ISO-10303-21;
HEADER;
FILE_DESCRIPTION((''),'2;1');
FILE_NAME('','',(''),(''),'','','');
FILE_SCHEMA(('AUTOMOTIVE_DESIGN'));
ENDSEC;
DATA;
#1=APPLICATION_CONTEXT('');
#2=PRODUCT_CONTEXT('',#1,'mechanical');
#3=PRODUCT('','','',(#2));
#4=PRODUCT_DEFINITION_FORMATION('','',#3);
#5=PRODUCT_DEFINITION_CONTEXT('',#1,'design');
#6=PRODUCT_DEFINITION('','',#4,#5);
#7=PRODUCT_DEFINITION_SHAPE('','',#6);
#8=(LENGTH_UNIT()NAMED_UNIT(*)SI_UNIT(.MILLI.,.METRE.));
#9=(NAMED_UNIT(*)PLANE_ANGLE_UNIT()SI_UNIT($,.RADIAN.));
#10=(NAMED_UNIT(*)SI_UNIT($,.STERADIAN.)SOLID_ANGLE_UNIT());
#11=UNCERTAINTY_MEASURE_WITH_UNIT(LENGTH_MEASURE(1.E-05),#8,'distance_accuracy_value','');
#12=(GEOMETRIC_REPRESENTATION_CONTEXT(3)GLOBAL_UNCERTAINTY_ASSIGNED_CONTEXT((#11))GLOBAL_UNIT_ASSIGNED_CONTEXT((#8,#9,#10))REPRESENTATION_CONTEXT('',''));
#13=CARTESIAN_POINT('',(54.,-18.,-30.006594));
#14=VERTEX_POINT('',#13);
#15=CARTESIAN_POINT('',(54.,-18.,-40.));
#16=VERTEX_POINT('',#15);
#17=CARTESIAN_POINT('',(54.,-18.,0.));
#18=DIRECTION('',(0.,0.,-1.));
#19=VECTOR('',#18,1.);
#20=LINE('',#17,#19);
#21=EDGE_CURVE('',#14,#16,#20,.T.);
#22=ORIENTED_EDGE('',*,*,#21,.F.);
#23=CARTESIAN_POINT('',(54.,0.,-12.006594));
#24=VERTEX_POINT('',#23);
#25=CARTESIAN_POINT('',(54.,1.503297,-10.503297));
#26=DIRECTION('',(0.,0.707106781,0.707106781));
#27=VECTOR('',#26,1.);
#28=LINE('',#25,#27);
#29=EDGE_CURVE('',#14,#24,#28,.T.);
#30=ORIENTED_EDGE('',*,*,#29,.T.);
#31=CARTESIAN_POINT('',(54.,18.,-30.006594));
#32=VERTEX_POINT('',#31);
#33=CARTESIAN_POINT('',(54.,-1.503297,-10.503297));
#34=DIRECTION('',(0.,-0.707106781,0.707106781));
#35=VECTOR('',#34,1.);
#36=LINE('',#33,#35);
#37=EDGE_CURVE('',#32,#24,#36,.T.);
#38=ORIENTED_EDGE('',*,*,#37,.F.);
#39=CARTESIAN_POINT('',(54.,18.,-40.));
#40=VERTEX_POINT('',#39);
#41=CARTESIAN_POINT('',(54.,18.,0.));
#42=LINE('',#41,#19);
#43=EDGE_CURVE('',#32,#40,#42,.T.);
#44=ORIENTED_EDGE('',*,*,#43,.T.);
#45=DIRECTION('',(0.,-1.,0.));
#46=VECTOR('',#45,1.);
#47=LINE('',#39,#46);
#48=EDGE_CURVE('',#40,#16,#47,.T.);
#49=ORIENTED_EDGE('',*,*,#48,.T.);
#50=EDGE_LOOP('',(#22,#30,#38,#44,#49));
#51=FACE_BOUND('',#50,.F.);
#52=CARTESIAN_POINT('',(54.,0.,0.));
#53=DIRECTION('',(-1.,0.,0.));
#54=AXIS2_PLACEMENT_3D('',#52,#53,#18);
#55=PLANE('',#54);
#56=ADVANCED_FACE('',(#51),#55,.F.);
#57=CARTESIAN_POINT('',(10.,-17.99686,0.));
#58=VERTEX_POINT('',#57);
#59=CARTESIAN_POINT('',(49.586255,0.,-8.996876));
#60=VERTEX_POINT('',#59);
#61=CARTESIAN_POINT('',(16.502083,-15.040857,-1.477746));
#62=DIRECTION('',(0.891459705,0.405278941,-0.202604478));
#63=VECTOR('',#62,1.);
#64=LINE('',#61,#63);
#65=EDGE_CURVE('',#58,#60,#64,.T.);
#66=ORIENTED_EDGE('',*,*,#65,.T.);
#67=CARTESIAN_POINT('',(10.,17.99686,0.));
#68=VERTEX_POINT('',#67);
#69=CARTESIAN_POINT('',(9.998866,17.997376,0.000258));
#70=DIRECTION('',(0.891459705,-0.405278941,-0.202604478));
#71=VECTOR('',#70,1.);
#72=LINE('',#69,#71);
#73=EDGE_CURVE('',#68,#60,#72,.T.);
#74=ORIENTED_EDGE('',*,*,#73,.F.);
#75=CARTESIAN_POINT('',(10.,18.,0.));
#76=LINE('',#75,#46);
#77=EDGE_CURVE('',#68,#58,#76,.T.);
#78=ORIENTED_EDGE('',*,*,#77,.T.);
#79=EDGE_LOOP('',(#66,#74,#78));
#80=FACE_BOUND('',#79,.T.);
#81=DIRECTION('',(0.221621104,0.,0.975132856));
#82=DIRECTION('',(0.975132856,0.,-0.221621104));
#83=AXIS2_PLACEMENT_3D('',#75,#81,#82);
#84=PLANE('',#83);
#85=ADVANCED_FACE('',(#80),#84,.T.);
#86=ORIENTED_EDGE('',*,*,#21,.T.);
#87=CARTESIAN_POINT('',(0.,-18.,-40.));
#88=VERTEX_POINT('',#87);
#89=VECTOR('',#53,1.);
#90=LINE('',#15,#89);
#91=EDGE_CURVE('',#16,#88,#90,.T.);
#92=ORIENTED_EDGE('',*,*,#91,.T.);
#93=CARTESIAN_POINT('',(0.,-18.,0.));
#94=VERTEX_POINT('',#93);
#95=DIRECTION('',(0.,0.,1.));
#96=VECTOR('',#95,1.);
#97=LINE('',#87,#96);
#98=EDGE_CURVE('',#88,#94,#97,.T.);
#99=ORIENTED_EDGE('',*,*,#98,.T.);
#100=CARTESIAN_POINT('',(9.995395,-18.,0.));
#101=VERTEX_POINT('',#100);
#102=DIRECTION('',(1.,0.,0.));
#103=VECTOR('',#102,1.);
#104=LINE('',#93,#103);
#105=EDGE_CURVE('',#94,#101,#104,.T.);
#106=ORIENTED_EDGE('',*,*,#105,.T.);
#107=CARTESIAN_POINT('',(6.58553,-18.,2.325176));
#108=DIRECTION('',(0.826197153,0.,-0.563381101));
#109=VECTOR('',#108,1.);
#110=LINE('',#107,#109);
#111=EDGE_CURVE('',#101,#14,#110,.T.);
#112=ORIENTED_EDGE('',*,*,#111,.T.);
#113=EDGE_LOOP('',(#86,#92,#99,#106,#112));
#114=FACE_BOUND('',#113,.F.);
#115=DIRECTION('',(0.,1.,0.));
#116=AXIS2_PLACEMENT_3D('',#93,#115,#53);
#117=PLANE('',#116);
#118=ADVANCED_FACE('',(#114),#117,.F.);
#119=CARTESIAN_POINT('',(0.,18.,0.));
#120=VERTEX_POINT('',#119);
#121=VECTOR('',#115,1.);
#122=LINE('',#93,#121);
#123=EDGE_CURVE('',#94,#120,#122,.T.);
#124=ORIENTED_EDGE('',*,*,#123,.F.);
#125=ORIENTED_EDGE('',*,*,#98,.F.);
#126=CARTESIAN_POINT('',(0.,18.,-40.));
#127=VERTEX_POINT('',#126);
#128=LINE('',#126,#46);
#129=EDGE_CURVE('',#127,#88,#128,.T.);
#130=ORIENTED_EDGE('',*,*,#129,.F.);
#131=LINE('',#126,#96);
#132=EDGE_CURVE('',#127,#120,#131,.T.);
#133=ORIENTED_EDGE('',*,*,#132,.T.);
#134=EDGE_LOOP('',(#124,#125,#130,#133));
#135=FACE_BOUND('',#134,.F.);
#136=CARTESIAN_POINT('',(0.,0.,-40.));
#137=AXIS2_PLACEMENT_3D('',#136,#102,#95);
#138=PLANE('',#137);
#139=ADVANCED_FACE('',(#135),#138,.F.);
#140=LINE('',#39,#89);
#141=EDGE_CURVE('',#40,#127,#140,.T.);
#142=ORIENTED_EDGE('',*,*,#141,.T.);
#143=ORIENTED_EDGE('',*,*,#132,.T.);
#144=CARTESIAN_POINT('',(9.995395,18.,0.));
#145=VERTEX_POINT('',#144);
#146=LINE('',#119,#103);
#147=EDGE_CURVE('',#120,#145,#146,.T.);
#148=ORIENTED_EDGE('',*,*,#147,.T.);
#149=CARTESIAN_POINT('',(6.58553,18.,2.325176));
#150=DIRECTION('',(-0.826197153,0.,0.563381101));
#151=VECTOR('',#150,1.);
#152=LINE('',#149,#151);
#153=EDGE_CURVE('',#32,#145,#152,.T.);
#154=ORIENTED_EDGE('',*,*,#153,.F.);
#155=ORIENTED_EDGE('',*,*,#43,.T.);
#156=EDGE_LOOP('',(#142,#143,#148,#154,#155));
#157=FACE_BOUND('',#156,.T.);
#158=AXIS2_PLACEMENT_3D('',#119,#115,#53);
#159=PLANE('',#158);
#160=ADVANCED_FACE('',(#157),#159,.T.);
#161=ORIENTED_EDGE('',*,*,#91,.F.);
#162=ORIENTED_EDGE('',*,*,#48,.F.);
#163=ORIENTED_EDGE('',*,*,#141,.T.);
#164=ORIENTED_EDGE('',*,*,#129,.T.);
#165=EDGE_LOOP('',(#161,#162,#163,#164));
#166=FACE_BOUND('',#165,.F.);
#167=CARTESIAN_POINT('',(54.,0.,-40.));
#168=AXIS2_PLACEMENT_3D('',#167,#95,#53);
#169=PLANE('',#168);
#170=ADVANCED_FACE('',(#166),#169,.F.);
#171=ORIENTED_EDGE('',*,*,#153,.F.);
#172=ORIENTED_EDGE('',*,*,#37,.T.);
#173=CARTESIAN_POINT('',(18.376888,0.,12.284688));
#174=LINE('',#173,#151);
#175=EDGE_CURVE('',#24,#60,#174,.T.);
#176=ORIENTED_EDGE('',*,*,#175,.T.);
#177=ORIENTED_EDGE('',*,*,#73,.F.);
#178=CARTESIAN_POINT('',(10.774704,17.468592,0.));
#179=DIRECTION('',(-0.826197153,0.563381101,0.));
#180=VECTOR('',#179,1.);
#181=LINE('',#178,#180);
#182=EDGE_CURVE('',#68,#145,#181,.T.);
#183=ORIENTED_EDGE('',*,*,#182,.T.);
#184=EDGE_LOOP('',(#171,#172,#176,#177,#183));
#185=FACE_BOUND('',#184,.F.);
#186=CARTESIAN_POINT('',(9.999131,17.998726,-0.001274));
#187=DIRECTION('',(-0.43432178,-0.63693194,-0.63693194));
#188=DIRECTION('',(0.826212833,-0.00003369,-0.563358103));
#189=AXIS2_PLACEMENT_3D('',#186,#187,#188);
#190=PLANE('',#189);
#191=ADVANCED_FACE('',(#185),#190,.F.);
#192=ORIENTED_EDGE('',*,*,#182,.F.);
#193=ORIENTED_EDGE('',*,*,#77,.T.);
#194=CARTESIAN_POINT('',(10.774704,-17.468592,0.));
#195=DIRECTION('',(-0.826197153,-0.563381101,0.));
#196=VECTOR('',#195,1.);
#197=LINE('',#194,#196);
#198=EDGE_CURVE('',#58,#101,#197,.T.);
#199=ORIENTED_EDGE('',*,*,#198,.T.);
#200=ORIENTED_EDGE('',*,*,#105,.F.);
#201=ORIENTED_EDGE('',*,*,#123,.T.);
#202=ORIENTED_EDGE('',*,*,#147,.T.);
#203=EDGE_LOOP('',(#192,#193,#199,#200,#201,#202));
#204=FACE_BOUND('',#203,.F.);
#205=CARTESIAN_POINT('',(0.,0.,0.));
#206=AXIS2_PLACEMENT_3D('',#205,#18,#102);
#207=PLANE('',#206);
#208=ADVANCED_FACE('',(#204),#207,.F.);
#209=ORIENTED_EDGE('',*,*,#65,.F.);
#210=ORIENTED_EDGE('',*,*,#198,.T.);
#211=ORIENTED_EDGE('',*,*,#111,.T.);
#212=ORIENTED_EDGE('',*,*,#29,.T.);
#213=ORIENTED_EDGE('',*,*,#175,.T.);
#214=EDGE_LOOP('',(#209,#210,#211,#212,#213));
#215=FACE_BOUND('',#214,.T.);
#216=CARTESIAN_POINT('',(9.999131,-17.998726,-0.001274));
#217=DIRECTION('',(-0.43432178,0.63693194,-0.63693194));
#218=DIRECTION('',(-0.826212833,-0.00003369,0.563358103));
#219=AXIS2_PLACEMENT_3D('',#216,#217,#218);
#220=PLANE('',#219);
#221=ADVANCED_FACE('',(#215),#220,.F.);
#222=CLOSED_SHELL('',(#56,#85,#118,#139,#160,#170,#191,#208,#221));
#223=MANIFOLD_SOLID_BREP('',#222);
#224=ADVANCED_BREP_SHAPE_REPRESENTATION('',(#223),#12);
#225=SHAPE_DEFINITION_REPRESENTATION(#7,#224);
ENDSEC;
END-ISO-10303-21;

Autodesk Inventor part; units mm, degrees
ref_plane "YZ Plane" through (0, 0, 0) normal (1, 0, 0) x (0, 1, 0)
ref_plane "XZ Plane" through (0, 0, 0) normal (0, 1, 0) x (-1, 0, 0)
sketch "草圖1" plane through (0, 0, 0) normal (0, 1, 0) x (-1, 0, 0)
  line L0 (0, 0) -> (-54, 0)
  line L1 (-54, 0) -> (-54, -40)
  line L2 (-54, -40) -> (0, -40)
  line L3 (0, -40) -> (0, 0)
  dimension "d0" = 54
  dimension "d1" = 40
extrude "擠出1" add sketch "草圖1" along normal mid plane 36
sketch "草圖2" plane through (0, 18, 0) normal (0, 1, 0) x (1, 0, 0)
  line L0 (0, 0) -> (54, 0) projected
  line L1 (10, 0) -> (54, 10)
  line L2 (54, 0) -> (54, 40) projected
  dimension "d4" = 10
  dimension "d5" = 30
extrude "擠出2" cut sketch "草圖2" against normal blind 40
sketch "草圖3" plane through (54, -18, -40) normal (1, 0, 0) x (0, 0, -1)
  line L0 (-30, 16) -> (-10, 36)
  line L1 (0, 36) -> (-40, 36) projected
  line L2 (-30, 36) -> (-30, 0) projected
  point P0 (-40, 18)
  dimension "d8" = 20
  dimension "d9" = 20
ref_plane "工作平面1" through (10, 18, 0) normal (-0.4343, -0.6369, -0.6369) x (0.8262, 0, -0.5633)
sketch "草圖4" plane through (10, 18, 0) normal (-0.4343, -0.6369, -0.6369) x (0.8262, 0, -0.5633)
  line L0 (-15.1543, -12.3218) -> (93.717, -12.3218)
  line L1 (93.717, -12.3218) -> (93.717, 28.8166)
  line L2 (93.717, 28.8166) -> (-15.1543, 28.8166)
  line L3 (-15.1543, 28.8166) -> (-15.1543, -12.3218)
  point P0 (-8.2623, 10.2882)
extrude "擠出3" cut sketch "草圖4" against normal blind 40
mirror "鏡射1" about plane through (0, 0, 0) normal (0, 1, 0) of "擠出3"
properties part number "11"
